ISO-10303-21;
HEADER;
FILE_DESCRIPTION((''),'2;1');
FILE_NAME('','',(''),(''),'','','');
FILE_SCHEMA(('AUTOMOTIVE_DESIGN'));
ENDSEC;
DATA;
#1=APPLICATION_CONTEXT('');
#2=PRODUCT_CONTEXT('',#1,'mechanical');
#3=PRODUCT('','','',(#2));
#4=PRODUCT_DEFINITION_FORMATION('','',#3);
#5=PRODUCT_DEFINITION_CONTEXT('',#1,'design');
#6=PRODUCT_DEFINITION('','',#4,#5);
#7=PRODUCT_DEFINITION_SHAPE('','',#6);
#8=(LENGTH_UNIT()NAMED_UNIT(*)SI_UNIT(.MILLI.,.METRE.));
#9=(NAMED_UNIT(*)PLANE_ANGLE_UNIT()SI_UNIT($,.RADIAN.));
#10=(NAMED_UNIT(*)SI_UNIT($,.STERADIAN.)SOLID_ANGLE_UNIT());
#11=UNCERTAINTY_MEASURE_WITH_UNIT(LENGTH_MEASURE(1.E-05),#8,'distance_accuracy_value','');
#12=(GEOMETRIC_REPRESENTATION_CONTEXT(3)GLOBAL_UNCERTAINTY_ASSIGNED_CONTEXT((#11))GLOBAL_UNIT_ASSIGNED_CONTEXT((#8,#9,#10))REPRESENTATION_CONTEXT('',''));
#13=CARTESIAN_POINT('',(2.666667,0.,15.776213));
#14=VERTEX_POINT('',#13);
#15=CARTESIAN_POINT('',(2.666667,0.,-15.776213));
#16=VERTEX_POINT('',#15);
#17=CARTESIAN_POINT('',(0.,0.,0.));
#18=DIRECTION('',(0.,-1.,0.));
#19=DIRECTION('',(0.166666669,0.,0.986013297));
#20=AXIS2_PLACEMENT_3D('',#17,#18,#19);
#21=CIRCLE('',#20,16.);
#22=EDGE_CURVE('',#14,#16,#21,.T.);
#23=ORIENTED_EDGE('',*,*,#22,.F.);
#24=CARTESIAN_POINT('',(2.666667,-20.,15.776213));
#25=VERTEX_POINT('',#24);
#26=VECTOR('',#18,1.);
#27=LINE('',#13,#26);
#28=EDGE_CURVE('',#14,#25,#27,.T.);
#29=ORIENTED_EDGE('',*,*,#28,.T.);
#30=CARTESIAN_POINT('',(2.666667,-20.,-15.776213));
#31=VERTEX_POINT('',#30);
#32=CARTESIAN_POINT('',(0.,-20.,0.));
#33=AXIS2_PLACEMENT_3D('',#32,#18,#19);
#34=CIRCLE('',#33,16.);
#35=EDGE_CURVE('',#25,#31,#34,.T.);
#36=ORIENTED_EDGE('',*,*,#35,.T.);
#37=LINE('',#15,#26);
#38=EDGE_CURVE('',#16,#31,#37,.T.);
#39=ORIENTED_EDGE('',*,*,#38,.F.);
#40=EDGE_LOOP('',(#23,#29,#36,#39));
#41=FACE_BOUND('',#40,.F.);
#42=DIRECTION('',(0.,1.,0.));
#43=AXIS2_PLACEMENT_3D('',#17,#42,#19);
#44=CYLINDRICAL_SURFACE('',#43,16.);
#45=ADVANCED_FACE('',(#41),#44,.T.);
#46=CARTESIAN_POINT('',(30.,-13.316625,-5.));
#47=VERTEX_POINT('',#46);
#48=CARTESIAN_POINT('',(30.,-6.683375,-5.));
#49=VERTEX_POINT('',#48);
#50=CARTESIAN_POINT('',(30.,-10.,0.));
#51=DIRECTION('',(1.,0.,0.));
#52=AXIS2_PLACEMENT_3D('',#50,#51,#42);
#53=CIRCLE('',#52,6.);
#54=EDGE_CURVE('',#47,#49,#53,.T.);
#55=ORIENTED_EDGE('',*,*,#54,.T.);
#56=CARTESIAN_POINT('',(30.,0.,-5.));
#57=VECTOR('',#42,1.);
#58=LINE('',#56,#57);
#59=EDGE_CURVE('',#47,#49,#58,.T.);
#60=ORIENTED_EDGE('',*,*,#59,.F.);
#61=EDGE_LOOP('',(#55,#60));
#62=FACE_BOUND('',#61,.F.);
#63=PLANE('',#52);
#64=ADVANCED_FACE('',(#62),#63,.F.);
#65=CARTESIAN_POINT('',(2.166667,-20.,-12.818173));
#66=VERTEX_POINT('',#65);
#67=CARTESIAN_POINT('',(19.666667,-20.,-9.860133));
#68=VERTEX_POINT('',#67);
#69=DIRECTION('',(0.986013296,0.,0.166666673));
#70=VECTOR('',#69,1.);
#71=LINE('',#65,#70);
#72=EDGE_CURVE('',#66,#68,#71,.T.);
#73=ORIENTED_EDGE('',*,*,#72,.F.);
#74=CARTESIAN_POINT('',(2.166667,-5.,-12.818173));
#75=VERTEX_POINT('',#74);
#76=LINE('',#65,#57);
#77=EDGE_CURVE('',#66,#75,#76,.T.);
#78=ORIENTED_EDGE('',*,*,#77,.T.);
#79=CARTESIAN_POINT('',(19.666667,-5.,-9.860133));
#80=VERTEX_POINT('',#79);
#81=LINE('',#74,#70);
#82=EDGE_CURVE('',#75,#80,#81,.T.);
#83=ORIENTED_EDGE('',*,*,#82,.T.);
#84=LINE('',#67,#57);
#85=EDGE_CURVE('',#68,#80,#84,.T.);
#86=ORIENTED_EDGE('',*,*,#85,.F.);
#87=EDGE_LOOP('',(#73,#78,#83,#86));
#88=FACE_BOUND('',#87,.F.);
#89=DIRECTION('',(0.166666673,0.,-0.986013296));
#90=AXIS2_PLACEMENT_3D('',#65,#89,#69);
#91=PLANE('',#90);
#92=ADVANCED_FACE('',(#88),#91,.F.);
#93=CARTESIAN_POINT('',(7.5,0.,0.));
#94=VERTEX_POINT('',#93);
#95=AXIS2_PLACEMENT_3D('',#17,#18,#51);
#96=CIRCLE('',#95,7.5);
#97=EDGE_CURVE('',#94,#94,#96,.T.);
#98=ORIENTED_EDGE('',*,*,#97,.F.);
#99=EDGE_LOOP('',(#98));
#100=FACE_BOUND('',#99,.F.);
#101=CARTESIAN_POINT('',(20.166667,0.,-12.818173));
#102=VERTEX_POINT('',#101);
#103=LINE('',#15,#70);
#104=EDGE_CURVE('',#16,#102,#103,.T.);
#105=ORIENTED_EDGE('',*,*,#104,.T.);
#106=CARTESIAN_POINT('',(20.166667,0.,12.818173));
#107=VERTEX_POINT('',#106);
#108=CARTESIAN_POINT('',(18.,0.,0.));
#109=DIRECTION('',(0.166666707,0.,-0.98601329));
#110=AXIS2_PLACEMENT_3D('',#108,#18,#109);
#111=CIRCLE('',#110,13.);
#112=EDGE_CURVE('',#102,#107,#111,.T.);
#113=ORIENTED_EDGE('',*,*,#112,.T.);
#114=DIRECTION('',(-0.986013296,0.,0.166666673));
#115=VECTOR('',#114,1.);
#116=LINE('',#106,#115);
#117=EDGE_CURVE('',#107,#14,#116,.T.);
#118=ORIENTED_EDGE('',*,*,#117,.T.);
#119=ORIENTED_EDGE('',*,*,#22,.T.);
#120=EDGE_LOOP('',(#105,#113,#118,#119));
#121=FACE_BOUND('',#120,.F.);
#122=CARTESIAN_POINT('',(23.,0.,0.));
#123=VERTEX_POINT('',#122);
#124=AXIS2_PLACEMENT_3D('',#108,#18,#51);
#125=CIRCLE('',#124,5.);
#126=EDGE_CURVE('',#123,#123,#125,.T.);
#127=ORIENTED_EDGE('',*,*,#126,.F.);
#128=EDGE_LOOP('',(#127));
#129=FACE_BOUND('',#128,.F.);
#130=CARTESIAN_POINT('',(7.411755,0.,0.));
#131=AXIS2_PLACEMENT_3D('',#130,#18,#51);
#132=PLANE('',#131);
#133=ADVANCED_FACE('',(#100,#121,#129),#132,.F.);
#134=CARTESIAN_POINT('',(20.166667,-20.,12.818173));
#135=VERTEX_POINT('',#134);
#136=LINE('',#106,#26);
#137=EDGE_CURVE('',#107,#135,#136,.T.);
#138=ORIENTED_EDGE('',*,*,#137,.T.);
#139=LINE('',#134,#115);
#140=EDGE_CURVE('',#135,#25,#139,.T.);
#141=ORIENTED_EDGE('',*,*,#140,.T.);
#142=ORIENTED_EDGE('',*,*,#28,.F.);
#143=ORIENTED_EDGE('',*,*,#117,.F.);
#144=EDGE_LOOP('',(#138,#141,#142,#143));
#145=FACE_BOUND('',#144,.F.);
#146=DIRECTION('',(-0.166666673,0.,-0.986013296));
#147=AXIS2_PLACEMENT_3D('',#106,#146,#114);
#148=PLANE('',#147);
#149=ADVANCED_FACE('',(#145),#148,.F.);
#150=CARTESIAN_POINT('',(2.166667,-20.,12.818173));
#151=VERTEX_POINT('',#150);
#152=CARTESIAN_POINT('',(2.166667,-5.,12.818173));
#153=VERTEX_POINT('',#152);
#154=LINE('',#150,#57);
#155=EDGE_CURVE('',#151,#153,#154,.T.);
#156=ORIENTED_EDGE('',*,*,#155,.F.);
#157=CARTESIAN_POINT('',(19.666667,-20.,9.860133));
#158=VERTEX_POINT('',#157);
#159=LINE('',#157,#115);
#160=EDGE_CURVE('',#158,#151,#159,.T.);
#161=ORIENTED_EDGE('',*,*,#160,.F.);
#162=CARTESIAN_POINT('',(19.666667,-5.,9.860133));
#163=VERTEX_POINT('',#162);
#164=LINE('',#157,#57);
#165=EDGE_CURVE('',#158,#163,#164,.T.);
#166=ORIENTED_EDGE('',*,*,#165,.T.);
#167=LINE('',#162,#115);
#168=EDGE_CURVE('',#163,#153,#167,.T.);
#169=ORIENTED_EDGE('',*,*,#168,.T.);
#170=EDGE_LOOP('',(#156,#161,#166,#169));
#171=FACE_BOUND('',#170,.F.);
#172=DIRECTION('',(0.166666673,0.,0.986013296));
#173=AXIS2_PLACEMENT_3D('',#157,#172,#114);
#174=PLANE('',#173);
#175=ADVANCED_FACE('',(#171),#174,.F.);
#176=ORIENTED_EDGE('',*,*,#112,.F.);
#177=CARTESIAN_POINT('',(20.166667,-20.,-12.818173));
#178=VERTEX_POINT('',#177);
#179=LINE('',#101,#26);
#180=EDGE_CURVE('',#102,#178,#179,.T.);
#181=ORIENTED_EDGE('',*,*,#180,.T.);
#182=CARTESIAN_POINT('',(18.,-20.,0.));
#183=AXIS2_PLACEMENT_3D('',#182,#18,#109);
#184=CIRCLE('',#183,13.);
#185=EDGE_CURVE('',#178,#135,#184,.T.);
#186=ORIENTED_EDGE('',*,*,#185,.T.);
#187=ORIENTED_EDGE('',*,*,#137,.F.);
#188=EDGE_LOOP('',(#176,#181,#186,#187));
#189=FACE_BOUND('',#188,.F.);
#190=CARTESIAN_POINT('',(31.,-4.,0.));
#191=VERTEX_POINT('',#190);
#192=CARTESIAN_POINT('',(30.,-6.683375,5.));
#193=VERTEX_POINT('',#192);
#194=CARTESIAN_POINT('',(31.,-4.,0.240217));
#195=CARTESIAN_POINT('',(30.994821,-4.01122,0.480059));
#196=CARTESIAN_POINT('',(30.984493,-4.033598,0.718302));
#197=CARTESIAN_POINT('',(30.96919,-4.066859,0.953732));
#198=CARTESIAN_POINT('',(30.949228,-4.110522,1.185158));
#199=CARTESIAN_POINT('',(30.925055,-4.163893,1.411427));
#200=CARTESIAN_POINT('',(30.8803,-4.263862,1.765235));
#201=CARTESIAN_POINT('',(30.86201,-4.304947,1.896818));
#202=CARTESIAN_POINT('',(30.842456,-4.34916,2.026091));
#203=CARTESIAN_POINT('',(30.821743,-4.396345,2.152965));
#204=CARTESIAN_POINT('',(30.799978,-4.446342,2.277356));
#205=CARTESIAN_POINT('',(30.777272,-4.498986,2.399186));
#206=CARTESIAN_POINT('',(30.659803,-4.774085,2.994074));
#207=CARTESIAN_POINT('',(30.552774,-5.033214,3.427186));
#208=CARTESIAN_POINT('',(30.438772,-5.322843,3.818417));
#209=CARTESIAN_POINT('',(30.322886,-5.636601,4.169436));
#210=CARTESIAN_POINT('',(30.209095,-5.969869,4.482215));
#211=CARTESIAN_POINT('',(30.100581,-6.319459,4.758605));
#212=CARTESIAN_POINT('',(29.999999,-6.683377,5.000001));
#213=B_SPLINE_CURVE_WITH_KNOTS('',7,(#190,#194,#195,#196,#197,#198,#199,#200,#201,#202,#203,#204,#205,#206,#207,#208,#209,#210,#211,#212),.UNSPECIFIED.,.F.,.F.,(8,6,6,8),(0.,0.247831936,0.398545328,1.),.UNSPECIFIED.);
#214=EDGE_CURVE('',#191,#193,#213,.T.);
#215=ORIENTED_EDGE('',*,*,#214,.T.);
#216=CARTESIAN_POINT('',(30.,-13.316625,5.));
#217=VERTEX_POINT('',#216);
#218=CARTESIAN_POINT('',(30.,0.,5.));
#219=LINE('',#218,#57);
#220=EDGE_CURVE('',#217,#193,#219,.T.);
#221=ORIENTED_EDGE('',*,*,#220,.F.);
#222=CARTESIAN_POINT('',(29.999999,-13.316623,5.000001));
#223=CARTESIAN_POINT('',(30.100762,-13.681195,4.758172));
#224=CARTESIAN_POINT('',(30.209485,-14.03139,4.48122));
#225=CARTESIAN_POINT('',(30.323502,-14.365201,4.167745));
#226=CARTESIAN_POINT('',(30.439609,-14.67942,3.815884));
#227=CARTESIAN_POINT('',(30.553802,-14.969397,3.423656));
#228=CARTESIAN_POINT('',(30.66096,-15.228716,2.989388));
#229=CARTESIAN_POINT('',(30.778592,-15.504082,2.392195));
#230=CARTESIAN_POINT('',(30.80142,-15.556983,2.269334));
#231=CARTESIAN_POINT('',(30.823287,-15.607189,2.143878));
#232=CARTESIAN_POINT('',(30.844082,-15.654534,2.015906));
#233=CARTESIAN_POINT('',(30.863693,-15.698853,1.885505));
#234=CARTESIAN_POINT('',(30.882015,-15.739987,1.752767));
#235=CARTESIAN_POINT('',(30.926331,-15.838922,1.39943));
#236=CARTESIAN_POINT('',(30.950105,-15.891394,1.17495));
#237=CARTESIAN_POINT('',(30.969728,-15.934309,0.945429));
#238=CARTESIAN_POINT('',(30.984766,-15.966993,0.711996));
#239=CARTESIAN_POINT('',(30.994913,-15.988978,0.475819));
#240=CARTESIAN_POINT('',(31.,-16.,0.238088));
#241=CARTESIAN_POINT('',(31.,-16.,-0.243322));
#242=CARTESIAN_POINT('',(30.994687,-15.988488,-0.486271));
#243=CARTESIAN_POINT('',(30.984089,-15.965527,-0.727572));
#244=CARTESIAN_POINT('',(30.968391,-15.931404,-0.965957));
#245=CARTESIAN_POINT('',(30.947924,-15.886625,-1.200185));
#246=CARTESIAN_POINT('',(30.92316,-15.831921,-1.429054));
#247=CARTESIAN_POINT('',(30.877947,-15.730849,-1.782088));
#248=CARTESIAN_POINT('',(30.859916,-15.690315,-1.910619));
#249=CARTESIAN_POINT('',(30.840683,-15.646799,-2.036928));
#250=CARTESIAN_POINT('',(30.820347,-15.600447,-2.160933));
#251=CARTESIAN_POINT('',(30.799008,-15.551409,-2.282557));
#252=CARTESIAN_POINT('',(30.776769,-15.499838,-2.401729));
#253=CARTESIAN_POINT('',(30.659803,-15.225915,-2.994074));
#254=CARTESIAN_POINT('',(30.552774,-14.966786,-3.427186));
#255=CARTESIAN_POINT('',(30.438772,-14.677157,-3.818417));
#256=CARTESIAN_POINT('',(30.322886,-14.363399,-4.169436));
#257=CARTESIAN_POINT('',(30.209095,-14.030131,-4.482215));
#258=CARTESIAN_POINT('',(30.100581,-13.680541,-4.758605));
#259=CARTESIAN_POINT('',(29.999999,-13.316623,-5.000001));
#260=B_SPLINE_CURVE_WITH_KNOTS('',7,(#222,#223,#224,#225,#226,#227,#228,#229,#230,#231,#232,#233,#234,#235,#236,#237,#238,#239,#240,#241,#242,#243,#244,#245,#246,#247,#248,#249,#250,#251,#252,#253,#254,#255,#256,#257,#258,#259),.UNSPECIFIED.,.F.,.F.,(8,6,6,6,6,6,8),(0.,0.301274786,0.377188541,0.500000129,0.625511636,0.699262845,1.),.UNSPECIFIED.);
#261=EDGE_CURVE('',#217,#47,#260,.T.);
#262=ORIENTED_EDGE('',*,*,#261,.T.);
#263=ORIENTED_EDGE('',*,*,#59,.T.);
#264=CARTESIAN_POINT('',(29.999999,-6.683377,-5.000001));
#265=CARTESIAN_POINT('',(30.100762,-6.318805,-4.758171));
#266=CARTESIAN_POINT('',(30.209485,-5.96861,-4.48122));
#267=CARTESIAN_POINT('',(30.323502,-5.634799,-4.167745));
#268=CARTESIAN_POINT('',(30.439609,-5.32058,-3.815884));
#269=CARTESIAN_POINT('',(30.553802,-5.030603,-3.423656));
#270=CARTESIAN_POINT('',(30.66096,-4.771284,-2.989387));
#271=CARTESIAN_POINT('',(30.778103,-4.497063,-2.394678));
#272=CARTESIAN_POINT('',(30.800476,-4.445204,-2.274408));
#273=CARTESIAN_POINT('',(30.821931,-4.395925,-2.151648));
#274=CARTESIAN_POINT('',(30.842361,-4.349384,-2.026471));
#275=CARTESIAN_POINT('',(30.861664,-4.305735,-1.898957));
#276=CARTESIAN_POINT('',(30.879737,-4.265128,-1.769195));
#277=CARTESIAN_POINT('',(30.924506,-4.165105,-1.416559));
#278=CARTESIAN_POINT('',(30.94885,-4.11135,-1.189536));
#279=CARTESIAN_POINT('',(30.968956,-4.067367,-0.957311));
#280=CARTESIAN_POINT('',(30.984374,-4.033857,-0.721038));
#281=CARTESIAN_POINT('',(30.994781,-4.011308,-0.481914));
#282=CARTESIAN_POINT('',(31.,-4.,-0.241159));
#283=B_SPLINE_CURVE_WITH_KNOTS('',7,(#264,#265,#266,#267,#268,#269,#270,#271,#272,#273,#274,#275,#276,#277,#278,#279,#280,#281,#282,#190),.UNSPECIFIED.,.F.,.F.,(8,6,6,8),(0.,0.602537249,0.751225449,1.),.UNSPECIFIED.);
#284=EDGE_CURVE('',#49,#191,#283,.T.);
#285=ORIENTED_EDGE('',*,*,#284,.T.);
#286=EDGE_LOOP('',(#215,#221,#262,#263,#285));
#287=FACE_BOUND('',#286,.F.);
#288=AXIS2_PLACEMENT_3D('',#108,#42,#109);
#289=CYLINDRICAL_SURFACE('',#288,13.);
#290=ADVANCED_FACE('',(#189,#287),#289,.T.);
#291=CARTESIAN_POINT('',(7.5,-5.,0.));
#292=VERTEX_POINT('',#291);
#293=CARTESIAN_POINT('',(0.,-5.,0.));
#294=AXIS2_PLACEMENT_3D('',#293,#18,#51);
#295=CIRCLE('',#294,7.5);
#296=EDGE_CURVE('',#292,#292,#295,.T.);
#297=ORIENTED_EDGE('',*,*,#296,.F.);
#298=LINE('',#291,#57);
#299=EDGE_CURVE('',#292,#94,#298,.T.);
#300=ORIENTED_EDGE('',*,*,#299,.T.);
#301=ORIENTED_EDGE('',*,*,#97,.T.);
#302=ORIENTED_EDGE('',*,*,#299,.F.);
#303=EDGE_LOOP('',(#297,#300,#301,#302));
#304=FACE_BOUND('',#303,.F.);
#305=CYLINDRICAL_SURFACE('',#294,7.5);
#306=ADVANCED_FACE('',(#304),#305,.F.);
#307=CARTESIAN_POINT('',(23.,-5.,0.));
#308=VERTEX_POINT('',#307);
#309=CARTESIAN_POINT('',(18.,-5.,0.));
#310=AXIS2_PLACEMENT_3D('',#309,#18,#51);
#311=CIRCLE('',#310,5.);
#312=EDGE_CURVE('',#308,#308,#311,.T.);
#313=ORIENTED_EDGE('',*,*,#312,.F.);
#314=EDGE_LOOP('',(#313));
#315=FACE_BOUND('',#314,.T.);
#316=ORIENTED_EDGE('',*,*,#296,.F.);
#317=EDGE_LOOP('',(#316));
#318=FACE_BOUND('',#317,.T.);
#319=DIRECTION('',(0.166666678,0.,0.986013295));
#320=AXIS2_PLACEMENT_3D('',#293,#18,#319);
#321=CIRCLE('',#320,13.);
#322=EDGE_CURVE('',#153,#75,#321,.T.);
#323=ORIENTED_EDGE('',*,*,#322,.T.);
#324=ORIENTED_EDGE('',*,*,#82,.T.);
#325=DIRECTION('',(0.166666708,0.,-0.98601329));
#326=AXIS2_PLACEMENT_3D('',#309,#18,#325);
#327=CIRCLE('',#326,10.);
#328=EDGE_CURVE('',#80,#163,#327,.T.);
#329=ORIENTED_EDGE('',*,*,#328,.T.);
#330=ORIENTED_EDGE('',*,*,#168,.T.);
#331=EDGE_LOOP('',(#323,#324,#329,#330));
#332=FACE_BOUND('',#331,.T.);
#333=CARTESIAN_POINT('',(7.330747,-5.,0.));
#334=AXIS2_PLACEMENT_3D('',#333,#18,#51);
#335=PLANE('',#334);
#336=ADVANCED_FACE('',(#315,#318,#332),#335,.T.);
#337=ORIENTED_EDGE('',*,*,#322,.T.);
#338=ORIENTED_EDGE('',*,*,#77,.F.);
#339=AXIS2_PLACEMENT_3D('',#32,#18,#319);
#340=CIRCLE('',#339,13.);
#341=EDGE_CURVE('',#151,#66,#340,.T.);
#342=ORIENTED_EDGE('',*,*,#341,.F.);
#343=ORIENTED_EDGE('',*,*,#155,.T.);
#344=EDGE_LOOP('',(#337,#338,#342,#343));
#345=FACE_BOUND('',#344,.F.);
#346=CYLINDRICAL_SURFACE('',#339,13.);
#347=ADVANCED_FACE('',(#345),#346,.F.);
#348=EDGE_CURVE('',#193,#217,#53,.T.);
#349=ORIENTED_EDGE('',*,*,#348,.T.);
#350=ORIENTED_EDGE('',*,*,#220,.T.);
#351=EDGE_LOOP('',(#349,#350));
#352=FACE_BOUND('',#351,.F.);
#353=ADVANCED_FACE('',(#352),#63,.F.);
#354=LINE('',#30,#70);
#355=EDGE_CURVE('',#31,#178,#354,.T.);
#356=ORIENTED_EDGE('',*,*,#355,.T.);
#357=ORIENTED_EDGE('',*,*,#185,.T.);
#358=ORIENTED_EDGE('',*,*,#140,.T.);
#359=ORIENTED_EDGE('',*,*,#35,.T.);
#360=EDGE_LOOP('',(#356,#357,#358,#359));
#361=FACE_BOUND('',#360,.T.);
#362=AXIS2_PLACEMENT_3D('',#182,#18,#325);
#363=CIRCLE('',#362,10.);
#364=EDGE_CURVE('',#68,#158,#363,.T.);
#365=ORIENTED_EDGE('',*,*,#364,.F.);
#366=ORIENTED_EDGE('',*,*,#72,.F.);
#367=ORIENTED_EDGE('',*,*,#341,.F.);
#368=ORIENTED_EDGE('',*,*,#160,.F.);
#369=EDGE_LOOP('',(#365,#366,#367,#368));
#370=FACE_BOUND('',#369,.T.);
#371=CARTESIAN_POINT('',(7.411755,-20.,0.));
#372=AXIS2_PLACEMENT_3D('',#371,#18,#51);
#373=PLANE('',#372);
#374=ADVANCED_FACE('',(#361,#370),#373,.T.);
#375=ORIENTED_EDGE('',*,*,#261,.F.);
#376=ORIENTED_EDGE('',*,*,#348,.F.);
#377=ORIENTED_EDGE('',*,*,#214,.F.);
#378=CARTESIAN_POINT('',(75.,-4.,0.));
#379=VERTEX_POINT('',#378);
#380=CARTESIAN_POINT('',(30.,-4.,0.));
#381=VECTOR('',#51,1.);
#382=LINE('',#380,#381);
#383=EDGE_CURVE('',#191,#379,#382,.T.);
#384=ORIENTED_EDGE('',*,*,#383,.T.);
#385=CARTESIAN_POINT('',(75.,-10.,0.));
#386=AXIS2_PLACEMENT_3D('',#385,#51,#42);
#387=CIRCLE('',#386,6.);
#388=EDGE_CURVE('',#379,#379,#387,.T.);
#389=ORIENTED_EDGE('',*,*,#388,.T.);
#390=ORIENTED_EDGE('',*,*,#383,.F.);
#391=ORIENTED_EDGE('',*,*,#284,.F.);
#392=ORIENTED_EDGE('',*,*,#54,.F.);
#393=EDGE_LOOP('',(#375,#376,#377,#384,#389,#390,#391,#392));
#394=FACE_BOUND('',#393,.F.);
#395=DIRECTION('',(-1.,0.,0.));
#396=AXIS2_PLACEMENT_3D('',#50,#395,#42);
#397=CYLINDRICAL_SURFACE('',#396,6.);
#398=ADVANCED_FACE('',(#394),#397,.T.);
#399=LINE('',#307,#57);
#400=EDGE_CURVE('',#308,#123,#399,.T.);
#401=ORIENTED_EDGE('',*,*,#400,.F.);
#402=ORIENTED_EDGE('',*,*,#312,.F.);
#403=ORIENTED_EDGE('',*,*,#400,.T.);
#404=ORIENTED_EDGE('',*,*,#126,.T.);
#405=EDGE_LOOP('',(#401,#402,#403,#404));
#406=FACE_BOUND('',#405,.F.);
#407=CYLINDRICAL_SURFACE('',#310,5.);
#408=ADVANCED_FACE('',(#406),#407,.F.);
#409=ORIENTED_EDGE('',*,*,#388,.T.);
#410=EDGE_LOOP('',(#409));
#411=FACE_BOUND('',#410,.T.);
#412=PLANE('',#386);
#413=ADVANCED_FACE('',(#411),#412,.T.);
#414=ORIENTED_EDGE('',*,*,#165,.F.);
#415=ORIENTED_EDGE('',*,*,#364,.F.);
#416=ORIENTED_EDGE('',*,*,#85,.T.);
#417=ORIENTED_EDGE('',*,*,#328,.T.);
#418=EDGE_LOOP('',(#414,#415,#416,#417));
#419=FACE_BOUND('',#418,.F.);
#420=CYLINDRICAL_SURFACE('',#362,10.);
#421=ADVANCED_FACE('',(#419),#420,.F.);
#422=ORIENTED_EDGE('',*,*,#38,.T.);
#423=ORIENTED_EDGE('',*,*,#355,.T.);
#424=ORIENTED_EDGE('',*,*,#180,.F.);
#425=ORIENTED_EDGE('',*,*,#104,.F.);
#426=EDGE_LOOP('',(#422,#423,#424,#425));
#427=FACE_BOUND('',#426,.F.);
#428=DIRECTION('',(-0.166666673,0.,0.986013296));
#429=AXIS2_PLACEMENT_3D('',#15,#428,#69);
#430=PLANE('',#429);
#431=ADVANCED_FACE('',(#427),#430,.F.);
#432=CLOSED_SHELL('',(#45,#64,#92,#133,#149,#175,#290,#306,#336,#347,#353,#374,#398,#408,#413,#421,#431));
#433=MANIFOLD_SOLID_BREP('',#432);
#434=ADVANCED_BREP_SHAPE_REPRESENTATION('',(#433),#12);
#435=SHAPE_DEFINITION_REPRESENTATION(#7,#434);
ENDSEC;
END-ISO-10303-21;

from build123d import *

# Parameters (mm, degrees)
F1_DEPTH = 20
F3_DEPTH = 15
F4_R     = 5
F4_R_2   = 7.5
F5_DEPTH = 5
F7_R     = 6
F8_DEPTH = 45


with BuildPart() as f1:
    # F0 (on Front) → F1 (new body)
    with BuildSketch(Plane.XZ):
        with BuildLine():
            ThreePointArc((2.666667, 15.776213), (-16, 0), (2.666667, -15.776213))
            Line((2.666667, -15.776213), (20.166667, -12.818173))
            ThreePointArc((20.166667, -12.818173), (31, 0), (20.166667, 12.818173))
            Line((20.166667, 12.818173), (2.666667, 15.776213))
        make_face()
    extrude(amount=F1_DEPTH)

    # F2 (on face) → F3 (cut)
    with BuildSketch(Plane.XZ.offset(20)):
        with BuildLine():
            Line((19.666667, 9.860133), (2.166667, 12.818173))
            ThreePointArc((2.166667, 12.818173), (-13, 0), (2.166667, -12.818173))
            Line((2.166667, -12.818173), (19.666667, -9.860133))
            ThreePointArc((19.666667, -9.860133), (28, 0), (19.666667, 9.860133))
        make_face()
    extrude(amount=-F3_DEPTH, mode=Mode.SUBTRACT)

    # F4 (on face) → F5 (cut)
    with BuildSketch(Plane.XZ.offset(5)):
        with Locations((18, 0)):
            Circle(F4_R)
        Circle(F4_R_2)
    extrude(amount=-F5_DEPTH, mode=Mode.SUBTRACT)

    # F7 (on offset) → F8 (join)
    with BuildSketch(Plane.YZ.offset(30)):
        with Locations((-10, 0)):
            Circle(F7_R)
    extrude(amount=F8_DEPTH)


solid = f1.part
